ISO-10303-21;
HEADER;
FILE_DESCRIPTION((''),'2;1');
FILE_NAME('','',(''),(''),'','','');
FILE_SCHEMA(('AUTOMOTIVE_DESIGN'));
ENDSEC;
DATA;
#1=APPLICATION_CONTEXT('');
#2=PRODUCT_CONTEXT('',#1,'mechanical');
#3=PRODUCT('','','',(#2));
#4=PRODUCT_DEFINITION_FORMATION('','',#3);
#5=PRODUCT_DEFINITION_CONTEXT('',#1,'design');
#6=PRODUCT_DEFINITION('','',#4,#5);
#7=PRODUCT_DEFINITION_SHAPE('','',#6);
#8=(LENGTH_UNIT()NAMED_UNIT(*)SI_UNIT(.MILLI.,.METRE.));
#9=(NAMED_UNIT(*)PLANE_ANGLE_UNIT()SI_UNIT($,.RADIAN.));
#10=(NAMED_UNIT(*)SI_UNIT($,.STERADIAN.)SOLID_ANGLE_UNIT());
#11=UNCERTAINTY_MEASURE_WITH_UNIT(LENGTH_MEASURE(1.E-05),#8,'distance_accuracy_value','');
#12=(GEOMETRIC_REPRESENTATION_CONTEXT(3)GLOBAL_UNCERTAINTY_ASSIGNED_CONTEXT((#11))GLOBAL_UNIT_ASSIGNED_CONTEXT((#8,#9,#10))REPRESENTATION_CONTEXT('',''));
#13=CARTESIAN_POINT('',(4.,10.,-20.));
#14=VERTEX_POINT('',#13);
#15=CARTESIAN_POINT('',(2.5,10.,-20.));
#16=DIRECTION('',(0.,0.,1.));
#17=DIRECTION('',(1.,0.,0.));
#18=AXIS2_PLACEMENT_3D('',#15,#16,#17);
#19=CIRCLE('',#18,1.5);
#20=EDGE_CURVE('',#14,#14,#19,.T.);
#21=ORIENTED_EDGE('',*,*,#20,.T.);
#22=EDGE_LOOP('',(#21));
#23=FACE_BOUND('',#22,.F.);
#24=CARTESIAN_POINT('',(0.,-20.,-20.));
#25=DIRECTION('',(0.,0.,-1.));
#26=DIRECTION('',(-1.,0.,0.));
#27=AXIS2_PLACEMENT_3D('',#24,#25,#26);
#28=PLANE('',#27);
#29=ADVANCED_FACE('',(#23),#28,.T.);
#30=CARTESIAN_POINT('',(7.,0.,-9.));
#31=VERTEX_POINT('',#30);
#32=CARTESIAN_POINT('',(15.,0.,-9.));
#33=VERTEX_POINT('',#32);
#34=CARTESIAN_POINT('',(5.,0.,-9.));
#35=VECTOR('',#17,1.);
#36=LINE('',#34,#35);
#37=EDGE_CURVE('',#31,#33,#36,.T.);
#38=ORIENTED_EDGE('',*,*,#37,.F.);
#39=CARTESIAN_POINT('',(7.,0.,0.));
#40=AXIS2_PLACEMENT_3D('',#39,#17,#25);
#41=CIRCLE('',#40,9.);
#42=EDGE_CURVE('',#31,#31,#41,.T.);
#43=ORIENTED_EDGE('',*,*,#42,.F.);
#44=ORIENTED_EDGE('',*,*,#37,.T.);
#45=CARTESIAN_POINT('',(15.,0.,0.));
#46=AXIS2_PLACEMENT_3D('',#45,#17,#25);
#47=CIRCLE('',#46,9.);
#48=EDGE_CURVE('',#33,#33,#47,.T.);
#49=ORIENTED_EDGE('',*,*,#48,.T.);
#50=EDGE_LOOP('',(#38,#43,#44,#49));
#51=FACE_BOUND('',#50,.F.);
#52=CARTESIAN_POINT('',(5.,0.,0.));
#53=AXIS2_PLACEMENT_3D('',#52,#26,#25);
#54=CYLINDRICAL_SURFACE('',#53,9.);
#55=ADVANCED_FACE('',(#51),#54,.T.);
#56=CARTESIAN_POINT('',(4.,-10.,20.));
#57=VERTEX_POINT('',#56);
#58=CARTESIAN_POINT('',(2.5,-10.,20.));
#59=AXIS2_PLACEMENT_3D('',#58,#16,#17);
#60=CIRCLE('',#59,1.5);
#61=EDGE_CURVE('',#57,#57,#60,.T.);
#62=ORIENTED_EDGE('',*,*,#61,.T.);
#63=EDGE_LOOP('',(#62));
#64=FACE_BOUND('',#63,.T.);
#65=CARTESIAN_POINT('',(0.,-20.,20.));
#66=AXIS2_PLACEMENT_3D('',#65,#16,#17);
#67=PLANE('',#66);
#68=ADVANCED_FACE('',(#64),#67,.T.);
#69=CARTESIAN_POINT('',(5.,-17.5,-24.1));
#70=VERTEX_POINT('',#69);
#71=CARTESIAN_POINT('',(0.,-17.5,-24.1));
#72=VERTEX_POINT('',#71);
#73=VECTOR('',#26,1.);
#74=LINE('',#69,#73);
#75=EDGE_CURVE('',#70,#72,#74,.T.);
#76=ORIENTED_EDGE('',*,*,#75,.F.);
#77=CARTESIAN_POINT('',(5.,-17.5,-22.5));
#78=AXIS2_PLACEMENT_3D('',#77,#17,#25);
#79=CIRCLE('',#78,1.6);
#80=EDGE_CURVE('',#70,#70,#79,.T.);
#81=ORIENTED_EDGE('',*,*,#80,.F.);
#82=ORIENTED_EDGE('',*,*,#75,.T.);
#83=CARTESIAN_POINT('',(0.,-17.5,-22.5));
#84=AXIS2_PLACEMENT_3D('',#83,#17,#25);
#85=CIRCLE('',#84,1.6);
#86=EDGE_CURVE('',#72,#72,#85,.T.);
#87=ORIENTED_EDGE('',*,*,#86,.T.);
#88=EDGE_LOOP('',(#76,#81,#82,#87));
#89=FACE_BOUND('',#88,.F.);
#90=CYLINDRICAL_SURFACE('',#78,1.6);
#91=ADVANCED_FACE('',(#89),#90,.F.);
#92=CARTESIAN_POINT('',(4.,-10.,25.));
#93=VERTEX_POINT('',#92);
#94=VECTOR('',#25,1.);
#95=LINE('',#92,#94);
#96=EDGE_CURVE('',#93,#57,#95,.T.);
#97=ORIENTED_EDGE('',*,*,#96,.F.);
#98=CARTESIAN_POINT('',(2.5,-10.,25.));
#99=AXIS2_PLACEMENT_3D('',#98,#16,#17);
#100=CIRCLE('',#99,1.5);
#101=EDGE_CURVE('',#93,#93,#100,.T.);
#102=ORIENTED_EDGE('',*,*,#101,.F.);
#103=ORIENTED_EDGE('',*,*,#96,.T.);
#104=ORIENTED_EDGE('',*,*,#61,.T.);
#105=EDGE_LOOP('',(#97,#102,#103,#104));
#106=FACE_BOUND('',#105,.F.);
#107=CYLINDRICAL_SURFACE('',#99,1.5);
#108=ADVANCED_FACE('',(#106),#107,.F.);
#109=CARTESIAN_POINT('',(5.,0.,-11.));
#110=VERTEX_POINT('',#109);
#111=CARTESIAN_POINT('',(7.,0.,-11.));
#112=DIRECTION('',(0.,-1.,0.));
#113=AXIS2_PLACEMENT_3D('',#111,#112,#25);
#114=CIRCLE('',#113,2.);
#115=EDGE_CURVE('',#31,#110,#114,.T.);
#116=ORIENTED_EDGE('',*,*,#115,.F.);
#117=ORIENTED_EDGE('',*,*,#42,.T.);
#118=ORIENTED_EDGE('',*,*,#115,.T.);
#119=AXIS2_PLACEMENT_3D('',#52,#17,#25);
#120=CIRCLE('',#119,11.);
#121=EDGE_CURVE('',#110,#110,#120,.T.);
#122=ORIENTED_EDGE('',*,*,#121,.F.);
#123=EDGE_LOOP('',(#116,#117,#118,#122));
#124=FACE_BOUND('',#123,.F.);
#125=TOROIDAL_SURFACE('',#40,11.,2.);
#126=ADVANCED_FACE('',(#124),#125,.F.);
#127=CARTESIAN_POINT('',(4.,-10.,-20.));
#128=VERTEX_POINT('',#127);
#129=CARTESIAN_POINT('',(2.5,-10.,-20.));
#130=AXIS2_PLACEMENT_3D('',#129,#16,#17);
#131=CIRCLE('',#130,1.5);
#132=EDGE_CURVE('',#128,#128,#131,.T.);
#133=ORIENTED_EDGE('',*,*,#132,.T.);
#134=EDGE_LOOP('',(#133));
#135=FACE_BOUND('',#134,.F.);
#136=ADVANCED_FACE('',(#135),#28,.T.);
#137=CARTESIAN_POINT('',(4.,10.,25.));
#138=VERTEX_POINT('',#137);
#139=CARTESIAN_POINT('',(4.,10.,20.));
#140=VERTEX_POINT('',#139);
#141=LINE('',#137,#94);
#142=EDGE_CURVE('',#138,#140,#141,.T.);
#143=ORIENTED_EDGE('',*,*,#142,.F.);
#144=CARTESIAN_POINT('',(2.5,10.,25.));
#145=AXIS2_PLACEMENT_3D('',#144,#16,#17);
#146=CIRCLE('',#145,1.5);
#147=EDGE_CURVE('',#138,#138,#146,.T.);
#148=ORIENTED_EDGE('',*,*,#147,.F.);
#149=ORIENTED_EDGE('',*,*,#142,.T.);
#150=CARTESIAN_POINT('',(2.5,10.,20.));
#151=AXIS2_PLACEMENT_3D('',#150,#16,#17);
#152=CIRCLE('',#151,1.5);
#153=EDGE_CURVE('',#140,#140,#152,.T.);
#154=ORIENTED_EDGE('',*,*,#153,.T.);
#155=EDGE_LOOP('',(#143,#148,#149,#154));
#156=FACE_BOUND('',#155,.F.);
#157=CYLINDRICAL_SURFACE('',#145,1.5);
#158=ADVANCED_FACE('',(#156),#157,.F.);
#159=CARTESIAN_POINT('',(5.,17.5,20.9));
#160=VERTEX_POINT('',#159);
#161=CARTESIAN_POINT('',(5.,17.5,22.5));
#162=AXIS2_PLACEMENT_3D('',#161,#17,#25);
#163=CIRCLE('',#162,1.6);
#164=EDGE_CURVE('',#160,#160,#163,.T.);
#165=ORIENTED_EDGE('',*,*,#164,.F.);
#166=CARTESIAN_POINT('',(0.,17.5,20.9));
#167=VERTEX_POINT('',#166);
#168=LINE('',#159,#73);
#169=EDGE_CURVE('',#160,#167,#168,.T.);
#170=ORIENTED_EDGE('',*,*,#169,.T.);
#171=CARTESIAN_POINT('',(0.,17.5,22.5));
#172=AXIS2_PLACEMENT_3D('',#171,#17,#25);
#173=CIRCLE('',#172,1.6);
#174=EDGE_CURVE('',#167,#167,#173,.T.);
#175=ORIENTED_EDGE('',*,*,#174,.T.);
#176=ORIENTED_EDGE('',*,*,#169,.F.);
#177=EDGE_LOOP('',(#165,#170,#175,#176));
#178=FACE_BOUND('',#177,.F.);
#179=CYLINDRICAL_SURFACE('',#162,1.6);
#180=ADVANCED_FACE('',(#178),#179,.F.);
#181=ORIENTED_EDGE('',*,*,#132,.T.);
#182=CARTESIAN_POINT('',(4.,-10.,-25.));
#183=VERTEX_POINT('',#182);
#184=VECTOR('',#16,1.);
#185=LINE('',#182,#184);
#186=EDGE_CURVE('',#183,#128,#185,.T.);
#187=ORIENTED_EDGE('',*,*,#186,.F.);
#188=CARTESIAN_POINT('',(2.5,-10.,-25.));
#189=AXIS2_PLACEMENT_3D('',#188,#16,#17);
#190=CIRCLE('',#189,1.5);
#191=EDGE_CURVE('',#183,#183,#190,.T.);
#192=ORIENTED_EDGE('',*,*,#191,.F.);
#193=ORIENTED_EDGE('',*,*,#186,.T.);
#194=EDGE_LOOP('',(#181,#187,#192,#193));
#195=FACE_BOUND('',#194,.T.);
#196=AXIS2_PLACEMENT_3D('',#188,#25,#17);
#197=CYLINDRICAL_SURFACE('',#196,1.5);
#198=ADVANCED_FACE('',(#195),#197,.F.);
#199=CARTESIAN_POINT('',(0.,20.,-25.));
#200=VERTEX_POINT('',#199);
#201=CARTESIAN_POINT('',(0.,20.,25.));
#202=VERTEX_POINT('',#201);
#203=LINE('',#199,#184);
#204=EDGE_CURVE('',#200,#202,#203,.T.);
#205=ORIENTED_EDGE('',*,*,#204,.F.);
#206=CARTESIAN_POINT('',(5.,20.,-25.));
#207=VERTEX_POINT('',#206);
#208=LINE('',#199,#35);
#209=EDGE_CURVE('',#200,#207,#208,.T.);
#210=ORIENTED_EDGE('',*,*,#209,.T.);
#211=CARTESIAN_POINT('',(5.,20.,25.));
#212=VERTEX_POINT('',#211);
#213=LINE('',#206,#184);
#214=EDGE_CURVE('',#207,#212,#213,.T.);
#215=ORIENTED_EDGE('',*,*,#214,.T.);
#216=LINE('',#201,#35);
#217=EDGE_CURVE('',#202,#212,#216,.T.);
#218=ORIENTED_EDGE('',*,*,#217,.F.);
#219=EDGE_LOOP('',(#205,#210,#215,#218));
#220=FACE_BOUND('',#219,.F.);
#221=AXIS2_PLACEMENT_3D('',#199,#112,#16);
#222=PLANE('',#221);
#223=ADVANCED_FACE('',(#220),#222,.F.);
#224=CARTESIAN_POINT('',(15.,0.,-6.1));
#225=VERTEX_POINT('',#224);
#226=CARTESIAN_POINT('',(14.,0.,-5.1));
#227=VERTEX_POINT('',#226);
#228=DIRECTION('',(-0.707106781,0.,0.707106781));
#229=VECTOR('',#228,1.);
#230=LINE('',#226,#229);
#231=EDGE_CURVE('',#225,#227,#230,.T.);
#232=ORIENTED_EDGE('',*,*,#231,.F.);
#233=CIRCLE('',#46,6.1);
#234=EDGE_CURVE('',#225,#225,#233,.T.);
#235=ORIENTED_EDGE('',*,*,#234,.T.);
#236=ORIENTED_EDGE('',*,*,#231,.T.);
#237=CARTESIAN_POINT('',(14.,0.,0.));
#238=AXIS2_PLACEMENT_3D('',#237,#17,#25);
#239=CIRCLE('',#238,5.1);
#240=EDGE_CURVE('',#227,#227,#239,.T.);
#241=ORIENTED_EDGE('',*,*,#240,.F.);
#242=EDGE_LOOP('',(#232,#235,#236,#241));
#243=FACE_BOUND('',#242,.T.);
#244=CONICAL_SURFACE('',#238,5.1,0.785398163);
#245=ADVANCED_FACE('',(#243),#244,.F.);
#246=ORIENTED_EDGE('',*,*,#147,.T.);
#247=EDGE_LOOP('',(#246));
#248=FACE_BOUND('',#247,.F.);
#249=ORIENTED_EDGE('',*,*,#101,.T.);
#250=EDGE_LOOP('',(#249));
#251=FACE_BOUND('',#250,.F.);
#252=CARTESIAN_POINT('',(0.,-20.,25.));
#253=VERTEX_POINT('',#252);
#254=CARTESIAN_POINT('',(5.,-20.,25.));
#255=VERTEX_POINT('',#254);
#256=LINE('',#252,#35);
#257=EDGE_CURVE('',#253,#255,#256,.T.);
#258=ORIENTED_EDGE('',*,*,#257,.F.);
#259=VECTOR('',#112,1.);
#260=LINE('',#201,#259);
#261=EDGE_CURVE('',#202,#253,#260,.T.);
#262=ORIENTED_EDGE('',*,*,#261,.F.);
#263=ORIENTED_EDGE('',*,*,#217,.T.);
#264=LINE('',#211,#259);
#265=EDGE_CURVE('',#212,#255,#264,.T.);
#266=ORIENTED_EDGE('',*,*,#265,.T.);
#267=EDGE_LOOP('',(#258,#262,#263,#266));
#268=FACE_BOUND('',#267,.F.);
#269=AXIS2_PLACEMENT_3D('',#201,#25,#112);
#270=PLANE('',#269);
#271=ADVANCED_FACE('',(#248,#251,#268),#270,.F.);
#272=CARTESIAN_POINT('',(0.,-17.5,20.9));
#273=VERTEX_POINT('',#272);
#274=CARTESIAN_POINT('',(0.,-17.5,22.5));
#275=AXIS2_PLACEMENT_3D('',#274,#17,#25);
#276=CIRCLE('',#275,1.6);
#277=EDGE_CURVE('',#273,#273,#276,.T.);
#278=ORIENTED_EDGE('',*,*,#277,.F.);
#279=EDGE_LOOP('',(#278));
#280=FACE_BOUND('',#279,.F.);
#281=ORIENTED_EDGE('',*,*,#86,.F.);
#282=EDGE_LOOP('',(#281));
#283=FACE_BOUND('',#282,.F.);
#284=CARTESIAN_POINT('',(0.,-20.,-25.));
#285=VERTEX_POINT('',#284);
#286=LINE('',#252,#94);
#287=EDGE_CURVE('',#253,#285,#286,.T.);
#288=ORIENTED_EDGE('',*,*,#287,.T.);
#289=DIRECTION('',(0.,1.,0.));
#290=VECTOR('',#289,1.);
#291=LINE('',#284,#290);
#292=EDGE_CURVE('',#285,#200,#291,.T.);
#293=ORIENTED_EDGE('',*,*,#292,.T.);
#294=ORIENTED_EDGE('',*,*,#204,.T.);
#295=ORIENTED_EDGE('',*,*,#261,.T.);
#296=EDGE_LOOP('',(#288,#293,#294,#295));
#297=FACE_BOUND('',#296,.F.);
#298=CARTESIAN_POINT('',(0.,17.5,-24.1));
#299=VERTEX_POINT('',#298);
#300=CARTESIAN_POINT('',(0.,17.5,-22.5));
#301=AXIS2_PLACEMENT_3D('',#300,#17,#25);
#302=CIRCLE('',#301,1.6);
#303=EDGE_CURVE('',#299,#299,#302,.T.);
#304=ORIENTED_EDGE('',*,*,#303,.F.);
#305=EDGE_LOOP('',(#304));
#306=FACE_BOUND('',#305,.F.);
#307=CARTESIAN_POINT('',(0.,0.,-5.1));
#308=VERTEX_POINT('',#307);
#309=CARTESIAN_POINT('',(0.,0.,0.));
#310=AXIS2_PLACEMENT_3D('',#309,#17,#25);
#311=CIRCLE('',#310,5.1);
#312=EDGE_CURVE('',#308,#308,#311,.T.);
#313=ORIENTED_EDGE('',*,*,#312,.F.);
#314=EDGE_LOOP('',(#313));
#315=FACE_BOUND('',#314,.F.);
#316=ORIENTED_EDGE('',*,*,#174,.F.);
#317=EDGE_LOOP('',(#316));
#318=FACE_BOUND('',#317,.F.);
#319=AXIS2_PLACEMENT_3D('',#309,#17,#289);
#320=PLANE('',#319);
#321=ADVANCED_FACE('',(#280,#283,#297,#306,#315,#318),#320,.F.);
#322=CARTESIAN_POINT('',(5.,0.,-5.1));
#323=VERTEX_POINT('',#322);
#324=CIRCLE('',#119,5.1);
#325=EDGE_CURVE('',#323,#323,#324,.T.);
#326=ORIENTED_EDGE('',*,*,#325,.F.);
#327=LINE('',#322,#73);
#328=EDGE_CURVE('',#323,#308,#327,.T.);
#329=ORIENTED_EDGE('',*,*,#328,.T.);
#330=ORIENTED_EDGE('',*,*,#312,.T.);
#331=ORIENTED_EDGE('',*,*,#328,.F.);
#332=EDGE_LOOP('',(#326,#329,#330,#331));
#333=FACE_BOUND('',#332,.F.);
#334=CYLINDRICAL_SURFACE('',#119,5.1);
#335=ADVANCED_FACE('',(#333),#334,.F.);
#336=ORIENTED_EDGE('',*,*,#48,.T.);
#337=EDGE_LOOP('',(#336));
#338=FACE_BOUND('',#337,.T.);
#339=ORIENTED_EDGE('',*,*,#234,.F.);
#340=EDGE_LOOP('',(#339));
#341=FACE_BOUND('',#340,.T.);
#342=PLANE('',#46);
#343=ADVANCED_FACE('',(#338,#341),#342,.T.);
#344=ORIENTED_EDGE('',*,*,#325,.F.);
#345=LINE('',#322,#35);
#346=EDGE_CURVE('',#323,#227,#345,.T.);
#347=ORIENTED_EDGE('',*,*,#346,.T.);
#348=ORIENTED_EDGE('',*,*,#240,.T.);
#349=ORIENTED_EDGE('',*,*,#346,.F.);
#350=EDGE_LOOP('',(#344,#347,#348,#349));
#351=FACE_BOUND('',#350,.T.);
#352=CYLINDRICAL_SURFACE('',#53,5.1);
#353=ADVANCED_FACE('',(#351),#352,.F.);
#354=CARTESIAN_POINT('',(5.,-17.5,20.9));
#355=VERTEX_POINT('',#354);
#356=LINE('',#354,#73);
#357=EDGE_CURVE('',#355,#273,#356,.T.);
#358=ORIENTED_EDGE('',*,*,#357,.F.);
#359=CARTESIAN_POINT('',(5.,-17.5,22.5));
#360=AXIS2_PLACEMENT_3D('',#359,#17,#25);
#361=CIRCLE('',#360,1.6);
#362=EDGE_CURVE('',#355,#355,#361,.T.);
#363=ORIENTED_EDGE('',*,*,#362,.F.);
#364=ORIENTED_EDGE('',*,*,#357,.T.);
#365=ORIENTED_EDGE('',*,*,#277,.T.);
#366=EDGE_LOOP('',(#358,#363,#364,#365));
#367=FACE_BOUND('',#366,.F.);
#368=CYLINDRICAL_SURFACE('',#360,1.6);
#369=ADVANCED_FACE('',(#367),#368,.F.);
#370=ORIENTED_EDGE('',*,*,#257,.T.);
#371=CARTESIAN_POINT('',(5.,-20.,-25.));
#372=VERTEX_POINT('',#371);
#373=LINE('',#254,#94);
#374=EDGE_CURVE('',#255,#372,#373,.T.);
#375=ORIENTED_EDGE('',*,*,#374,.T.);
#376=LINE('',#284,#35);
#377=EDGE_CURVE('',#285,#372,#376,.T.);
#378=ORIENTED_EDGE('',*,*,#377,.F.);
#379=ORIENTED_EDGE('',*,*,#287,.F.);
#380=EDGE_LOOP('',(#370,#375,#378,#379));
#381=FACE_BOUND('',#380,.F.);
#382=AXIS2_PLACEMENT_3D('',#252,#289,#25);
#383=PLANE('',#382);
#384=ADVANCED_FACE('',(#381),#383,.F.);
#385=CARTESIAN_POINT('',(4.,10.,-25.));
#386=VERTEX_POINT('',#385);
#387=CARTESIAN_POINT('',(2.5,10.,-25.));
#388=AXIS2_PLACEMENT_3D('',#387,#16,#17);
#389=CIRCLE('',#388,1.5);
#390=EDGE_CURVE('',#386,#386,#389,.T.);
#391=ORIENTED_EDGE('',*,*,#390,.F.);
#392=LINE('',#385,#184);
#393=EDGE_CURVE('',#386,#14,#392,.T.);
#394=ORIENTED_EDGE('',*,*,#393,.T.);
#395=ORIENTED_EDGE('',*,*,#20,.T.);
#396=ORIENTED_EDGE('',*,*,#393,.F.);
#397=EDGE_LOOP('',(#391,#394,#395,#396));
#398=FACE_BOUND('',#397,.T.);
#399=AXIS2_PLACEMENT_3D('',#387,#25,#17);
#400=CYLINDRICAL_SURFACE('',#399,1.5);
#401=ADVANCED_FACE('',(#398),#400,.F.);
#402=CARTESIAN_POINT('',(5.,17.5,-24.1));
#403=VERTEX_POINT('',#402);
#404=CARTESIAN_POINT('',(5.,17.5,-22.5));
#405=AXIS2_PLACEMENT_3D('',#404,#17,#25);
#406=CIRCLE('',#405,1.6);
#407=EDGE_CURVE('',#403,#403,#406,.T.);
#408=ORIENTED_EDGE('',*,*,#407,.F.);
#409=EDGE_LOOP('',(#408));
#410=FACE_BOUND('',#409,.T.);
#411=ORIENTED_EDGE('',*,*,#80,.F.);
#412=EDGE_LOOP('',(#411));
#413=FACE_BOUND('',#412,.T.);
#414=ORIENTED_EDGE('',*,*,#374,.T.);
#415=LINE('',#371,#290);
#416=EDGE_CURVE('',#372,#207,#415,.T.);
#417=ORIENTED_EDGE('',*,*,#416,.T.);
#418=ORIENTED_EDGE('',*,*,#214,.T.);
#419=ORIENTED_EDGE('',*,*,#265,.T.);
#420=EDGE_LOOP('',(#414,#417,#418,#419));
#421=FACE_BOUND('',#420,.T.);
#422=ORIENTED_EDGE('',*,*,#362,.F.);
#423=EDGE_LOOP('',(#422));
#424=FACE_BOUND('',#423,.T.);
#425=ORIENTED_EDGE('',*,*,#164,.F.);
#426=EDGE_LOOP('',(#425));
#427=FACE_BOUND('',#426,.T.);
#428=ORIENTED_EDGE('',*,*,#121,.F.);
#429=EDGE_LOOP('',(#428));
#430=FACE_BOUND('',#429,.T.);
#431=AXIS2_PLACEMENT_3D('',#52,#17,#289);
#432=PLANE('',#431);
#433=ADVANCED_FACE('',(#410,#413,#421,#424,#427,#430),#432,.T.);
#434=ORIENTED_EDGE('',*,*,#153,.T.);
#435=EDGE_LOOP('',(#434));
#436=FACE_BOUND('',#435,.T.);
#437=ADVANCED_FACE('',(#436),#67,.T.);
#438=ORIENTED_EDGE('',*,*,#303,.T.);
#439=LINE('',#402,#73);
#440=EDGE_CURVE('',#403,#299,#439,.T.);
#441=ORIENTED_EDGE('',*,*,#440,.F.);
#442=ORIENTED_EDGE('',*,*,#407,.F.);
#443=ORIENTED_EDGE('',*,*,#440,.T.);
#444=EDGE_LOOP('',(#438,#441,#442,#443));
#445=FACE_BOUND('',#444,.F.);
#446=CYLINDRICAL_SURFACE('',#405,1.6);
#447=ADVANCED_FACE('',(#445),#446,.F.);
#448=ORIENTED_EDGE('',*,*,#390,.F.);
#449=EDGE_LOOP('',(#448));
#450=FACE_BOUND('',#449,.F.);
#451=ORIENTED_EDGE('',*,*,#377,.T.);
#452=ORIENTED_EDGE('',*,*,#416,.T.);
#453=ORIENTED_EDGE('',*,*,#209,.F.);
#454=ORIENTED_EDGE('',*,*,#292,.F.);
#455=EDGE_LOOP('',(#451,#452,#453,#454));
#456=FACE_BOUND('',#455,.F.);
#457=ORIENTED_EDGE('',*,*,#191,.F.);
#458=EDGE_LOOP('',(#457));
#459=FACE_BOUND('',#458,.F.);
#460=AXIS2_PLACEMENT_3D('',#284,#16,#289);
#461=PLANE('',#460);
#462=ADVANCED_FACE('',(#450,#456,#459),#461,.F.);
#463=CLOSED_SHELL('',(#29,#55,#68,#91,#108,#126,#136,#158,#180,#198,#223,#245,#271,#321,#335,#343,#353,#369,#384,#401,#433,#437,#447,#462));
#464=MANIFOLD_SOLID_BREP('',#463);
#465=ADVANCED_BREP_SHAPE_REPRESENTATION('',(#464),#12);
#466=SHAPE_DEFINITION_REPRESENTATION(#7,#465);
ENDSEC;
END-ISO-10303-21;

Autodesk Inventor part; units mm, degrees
ref_plane "YZ Plane" through (0, 0, 0) normal (1, 0, 0) x (0, 1, 0)
ref_plane "XZ Plane" through (0, 0, 0) normal (0, 1, 0) x (-1, 0, 0)
ref_plane "XY Plane" through (0, 0, 0) normal (0, 0, 1) x (1, 0, 0)
sketch "Sketch1" plane through (0, 0, 0) normal (1, 0, 0) x (0, 1, 0)
  line L0 (20, 25) -> (-20, 25)
  line L1 (-20, 25) -> (-20, -25)
  line L2 (-20, -25) -> (20, -25)
  line L3 (20, -25) -> (20, 25)
  point P0 (0, 0)
  dimension "d0" = 40
  dimension "d1" = 50
  dimension "d2" = 20
  dimension "d3" = 25
extrude "Extrusion1" add sketch "Sketch1" along normal blind 5
sketch "Sketch2" plane through (5, 0, 0) normal (1, 0, 0) x (0, 0, -1)
  circle A0 centre (0, 0) radius 5.1
  dimension "d6" = 10.2
extrude "Extrusion2" cut sketch "Sketch2" against normal through all
sketch "Sketch3" plane through (5, 0, 0) normal (1, 0, 0) x (0, 0, -1)
  circle A0 centre (0, 0) radius 5.1
  circle A1 centre (0, 0) radius 9
  dimension "d9" = 10.2
  dimension "d10" = 18
extrude "Extrusion3" add sketch "Sketch3" along normal blind 10
chamfer "Chamfer1" distance 1 angle 45 1 edges at (15, 0, 5.1)
fillet "Fillet1" radius 2 1 edges at (5, 0, 9)
sketch "Sketch4" plane through (5, 0, 0) normal (1, 0, 0) x (0, 0, -1)
  circle A0 centre (-22.5, 17.5) radius 1.6
  circle A1 centre (22.5, 17.5) radius 1.6
  circle A2 centre (22.5, -17.5) radius 1.6
  circle A3 centre (-22.5, -17.5) radius 1.6
  line L0 (-25, 20) -> (-25, -20) projected
  line L1 (25, 20) -> (-25, 20) projected
  line L2 (25, -20) -> (25, 20) projected
  line L3 (-25, -20) -> (25, -20) projected
  point P0 (0, 0)
  dimension "d17" = 3.2
  dimension "d18" = 3.2
  dimension "d19" = 3.2
  dimension "d20" = 3.2
  dimension "d21" = 2.5
  dimension "d22" = 2.5
  dimension "d23" = 2.5
  dimension "d24" = 2.5
  dimension "d25" = 2.5
  dimension "d26" = 2.5
  dimension "d27" = 2.5
  dimension "d28" = 2.5
extrude "Extrusion4" cut sketch "Sketch4" against normal through all contours A0 | A1 | A2 | A3
sketch "Sketch5" plane through (0, -20, 25) normal (0, 0, 1) x (1, 0, 0)
  circle A0 centre (2.5, 30) radius 1.5
  line L0 (0, 40) -> (0, 0) projected
  circle A1 centre (2.5, 10) radius 1.5
  point P0 (0, 20)
  point P1 (0, 20)
  point P2 (0, 20)
  dimension "d31" = 3
  dimension "d32" = 2.5
  dimension "d33" = 10
  dimension "d34" = 3
  dimension "d35" = 2.5
  dimension "d36" = 10
extrude "Extrusion5" cut sketch "Sketch5" against normal blind 5
mirror "Mirror1" about plane through (0, 0, 0) normal (0, 0, 1) of "Extrusion5"
equation "\"d2\" = 0.5 * d0"
equation "\"d3\" = 0.5 * d1"
properties part number "Handle_Front_End" material "ABS Plastic"
